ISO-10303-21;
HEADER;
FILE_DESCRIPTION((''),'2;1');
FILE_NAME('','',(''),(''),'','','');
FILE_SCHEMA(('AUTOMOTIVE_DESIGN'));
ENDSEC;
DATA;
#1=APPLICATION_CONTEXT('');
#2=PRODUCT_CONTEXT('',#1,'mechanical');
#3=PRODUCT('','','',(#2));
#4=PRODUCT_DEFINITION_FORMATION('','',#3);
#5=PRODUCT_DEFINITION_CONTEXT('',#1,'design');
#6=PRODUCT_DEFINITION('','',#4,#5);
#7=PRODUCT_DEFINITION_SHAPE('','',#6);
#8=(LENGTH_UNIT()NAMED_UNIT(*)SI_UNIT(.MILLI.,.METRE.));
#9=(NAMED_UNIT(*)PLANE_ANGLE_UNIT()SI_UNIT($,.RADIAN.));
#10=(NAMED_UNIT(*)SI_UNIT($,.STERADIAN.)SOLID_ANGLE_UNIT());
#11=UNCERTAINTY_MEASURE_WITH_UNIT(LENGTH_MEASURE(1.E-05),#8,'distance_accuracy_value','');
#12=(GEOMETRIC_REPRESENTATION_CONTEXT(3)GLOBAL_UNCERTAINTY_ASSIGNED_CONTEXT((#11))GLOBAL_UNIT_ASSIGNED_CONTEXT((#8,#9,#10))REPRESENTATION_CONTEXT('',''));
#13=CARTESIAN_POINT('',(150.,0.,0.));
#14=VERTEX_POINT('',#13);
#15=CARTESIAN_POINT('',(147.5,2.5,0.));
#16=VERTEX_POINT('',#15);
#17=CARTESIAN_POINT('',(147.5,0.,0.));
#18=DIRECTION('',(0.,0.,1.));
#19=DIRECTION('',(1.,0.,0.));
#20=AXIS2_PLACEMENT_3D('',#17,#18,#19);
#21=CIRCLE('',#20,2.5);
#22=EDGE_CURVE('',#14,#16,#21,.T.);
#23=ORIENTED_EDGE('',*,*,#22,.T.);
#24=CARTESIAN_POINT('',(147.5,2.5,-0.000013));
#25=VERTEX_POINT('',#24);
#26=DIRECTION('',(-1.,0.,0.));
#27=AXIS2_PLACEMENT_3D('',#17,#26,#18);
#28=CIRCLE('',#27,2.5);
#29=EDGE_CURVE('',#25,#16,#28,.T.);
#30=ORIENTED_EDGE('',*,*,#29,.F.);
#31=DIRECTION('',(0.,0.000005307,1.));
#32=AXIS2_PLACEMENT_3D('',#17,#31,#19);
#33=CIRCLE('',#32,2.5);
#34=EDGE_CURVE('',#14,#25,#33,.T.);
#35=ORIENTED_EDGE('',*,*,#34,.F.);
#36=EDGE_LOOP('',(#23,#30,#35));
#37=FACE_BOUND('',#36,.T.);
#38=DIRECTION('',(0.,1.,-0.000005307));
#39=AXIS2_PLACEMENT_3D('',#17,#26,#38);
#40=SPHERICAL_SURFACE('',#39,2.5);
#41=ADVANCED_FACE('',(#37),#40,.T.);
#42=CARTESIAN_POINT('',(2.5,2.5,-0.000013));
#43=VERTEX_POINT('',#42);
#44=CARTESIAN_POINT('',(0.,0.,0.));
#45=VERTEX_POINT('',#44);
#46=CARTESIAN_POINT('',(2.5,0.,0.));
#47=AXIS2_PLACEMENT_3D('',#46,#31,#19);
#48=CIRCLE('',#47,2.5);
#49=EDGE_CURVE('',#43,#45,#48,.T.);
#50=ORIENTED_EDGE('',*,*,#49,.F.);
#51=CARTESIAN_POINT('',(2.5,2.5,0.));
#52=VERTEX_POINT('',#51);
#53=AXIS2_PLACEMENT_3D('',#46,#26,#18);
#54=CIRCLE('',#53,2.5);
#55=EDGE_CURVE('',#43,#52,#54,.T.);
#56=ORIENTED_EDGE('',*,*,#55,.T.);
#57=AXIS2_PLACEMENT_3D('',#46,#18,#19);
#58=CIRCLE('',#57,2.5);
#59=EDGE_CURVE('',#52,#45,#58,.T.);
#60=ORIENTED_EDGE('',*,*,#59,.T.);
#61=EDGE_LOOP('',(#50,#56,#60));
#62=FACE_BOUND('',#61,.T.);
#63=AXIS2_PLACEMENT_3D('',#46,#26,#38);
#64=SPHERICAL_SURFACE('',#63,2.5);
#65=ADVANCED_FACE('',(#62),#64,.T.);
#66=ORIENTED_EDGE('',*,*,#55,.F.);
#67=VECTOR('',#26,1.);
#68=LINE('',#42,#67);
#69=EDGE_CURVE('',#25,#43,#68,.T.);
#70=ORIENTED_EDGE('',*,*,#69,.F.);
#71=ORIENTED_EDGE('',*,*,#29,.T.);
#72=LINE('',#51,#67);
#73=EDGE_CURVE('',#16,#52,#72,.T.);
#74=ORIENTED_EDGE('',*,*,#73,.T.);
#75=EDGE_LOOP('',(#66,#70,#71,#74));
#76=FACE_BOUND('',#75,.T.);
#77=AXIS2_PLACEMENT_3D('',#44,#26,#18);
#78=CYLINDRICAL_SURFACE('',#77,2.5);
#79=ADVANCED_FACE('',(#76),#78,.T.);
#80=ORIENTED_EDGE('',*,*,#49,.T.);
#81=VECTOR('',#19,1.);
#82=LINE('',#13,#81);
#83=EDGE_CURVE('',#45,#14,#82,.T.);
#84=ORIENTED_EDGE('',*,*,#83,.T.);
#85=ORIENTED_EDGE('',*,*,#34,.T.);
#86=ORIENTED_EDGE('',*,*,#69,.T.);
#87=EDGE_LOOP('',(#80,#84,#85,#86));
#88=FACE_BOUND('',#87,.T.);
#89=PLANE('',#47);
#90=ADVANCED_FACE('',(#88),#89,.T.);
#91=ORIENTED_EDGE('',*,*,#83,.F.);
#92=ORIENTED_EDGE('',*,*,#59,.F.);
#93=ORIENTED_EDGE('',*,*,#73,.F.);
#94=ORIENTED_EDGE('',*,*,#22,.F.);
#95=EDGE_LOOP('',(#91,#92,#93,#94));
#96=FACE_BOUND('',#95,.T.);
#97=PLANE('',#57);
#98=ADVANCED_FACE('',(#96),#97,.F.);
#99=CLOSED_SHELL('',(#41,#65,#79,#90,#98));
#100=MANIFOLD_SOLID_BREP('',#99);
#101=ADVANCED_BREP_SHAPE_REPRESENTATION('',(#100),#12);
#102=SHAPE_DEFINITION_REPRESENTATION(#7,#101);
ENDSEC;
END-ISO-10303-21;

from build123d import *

# Parameters (mm, degrees)
REVOLVE1_ANGLE = 359.999695921


with BuildPart() as part:
    # Sketch1 → Revolve1 (revolve)
    with BuildSketch(Plane.XY):
        with BuildLine():
            Line((2.5, 2.5), (147.5, 2.5))
            ThreePointArc((147.5, 2.5), (149.267766953, 1.767766953), (150, 0))
            Line((150, 0), (0, 0))
            ThreePointArc((0, 0), (0.732233047, 1.767766953), (2.5, 2.5))
        make_face()
    revolve(axis=Axis((0, 0, 0), (1, 0, 0)), revolution_arc=REVOLVE1_ANGLE)


solid = part.part
